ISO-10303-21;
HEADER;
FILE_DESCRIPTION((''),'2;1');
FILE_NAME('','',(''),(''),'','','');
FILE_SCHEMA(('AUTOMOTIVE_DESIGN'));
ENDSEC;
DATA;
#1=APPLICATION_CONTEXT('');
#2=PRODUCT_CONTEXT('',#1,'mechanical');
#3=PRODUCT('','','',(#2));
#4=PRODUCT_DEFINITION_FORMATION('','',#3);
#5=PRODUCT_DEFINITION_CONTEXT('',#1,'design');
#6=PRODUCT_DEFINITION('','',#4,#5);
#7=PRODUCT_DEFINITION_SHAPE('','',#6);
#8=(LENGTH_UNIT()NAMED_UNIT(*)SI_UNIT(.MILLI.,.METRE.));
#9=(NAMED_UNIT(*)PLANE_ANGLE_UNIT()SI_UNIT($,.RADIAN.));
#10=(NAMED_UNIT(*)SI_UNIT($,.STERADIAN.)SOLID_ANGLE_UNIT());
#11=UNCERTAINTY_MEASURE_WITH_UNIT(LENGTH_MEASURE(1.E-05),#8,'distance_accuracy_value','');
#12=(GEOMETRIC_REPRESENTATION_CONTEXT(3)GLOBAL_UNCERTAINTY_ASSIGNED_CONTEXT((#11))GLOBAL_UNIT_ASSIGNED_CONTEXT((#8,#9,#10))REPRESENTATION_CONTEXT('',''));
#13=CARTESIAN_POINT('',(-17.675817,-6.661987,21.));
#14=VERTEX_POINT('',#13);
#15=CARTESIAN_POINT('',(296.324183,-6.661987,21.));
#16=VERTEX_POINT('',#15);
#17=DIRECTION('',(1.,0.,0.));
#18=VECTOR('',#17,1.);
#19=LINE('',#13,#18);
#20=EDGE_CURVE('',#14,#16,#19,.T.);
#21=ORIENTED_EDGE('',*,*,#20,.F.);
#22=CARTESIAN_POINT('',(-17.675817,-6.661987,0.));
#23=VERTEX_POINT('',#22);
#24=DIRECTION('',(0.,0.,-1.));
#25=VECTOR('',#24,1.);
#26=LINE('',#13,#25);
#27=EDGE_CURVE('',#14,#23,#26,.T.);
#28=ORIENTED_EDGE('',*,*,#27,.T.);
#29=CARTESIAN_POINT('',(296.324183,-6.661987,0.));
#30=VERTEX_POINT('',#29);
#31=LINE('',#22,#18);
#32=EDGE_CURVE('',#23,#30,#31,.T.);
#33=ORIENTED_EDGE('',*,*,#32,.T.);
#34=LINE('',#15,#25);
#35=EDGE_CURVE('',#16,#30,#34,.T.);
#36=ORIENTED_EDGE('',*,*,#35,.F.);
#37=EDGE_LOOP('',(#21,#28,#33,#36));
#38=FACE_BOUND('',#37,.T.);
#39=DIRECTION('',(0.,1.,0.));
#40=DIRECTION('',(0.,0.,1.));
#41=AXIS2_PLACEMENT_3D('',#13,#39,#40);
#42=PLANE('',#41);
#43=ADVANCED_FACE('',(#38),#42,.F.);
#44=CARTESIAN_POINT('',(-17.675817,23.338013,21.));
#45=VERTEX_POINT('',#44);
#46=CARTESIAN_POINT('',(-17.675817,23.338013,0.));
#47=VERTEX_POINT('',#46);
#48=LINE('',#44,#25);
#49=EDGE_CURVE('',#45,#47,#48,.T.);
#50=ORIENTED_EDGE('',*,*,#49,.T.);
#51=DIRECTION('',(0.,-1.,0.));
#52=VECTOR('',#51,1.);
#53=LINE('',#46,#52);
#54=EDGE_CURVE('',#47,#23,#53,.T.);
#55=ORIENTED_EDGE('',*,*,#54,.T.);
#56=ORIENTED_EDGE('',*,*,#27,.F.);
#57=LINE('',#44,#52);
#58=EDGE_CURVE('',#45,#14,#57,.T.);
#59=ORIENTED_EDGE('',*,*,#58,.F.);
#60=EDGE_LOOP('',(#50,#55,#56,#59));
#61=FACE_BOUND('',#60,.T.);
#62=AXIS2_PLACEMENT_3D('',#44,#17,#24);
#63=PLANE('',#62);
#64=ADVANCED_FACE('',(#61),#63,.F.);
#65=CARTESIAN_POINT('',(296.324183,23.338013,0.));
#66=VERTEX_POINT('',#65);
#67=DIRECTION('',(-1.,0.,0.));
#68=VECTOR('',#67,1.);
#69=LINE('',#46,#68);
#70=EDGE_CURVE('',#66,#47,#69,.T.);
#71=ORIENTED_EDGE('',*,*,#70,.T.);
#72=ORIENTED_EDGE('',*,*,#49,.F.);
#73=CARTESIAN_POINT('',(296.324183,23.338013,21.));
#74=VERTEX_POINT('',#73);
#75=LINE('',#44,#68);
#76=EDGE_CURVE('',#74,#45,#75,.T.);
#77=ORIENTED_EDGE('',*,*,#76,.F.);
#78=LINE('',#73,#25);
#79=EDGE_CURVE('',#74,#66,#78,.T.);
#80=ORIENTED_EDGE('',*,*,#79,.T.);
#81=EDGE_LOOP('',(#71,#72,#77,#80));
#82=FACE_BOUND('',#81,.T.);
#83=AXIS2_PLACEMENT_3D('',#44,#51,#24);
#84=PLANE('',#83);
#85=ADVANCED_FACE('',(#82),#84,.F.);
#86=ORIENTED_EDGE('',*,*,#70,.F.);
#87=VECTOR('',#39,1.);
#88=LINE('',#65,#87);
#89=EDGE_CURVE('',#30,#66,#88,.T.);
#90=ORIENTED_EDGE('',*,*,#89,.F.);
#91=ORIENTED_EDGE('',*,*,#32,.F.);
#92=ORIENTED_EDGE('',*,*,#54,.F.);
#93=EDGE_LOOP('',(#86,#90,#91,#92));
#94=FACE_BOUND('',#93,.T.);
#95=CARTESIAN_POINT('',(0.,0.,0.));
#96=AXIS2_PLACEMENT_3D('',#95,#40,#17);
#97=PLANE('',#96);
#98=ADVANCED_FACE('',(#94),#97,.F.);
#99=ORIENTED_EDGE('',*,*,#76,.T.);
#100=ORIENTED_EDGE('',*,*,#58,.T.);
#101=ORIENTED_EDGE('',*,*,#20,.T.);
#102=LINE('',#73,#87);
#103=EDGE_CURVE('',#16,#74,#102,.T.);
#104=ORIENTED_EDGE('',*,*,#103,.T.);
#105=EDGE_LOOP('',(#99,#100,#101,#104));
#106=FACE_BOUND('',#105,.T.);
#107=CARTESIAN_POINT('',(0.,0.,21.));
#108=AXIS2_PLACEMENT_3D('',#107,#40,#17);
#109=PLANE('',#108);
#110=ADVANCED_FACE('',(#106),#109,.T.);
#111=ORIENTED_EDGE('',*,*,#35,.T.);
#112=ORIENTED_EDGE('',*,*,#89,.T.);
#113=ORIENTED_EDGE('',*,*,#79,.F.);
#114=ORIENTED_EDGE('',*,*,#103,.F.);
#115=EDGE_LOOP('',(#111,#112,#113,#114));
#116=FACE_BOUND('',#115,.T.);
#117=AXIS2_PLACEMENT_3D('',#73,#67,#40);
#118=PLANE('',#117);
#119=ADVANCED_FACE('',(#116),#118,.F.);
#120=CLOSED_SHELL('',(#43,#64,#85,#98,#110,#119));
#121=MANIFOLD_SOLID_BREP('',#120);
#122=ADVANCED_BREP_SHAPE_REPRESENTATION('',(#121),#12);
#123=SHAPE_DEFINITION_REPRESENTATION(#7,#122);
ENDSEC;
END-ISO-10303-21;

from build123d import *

# Parameters (mm, degrees)
SKETCH_1_W      = 314
SKETCH_1_H      = 30
EXTRUDE_1_DEPTH = 21


with BuildPart() as part:
    # 草图1 → 凸台-拉伸1 (new body)
    with BuildSketch(Plane.XY):
        with Locations((139.324182989, 8.338012959)):
            Rectangle(SKETCH_1_W, SKETCH_1_H)
    extrude(amount=EXTRUDE_1_DEPTH)


solid = part.part
